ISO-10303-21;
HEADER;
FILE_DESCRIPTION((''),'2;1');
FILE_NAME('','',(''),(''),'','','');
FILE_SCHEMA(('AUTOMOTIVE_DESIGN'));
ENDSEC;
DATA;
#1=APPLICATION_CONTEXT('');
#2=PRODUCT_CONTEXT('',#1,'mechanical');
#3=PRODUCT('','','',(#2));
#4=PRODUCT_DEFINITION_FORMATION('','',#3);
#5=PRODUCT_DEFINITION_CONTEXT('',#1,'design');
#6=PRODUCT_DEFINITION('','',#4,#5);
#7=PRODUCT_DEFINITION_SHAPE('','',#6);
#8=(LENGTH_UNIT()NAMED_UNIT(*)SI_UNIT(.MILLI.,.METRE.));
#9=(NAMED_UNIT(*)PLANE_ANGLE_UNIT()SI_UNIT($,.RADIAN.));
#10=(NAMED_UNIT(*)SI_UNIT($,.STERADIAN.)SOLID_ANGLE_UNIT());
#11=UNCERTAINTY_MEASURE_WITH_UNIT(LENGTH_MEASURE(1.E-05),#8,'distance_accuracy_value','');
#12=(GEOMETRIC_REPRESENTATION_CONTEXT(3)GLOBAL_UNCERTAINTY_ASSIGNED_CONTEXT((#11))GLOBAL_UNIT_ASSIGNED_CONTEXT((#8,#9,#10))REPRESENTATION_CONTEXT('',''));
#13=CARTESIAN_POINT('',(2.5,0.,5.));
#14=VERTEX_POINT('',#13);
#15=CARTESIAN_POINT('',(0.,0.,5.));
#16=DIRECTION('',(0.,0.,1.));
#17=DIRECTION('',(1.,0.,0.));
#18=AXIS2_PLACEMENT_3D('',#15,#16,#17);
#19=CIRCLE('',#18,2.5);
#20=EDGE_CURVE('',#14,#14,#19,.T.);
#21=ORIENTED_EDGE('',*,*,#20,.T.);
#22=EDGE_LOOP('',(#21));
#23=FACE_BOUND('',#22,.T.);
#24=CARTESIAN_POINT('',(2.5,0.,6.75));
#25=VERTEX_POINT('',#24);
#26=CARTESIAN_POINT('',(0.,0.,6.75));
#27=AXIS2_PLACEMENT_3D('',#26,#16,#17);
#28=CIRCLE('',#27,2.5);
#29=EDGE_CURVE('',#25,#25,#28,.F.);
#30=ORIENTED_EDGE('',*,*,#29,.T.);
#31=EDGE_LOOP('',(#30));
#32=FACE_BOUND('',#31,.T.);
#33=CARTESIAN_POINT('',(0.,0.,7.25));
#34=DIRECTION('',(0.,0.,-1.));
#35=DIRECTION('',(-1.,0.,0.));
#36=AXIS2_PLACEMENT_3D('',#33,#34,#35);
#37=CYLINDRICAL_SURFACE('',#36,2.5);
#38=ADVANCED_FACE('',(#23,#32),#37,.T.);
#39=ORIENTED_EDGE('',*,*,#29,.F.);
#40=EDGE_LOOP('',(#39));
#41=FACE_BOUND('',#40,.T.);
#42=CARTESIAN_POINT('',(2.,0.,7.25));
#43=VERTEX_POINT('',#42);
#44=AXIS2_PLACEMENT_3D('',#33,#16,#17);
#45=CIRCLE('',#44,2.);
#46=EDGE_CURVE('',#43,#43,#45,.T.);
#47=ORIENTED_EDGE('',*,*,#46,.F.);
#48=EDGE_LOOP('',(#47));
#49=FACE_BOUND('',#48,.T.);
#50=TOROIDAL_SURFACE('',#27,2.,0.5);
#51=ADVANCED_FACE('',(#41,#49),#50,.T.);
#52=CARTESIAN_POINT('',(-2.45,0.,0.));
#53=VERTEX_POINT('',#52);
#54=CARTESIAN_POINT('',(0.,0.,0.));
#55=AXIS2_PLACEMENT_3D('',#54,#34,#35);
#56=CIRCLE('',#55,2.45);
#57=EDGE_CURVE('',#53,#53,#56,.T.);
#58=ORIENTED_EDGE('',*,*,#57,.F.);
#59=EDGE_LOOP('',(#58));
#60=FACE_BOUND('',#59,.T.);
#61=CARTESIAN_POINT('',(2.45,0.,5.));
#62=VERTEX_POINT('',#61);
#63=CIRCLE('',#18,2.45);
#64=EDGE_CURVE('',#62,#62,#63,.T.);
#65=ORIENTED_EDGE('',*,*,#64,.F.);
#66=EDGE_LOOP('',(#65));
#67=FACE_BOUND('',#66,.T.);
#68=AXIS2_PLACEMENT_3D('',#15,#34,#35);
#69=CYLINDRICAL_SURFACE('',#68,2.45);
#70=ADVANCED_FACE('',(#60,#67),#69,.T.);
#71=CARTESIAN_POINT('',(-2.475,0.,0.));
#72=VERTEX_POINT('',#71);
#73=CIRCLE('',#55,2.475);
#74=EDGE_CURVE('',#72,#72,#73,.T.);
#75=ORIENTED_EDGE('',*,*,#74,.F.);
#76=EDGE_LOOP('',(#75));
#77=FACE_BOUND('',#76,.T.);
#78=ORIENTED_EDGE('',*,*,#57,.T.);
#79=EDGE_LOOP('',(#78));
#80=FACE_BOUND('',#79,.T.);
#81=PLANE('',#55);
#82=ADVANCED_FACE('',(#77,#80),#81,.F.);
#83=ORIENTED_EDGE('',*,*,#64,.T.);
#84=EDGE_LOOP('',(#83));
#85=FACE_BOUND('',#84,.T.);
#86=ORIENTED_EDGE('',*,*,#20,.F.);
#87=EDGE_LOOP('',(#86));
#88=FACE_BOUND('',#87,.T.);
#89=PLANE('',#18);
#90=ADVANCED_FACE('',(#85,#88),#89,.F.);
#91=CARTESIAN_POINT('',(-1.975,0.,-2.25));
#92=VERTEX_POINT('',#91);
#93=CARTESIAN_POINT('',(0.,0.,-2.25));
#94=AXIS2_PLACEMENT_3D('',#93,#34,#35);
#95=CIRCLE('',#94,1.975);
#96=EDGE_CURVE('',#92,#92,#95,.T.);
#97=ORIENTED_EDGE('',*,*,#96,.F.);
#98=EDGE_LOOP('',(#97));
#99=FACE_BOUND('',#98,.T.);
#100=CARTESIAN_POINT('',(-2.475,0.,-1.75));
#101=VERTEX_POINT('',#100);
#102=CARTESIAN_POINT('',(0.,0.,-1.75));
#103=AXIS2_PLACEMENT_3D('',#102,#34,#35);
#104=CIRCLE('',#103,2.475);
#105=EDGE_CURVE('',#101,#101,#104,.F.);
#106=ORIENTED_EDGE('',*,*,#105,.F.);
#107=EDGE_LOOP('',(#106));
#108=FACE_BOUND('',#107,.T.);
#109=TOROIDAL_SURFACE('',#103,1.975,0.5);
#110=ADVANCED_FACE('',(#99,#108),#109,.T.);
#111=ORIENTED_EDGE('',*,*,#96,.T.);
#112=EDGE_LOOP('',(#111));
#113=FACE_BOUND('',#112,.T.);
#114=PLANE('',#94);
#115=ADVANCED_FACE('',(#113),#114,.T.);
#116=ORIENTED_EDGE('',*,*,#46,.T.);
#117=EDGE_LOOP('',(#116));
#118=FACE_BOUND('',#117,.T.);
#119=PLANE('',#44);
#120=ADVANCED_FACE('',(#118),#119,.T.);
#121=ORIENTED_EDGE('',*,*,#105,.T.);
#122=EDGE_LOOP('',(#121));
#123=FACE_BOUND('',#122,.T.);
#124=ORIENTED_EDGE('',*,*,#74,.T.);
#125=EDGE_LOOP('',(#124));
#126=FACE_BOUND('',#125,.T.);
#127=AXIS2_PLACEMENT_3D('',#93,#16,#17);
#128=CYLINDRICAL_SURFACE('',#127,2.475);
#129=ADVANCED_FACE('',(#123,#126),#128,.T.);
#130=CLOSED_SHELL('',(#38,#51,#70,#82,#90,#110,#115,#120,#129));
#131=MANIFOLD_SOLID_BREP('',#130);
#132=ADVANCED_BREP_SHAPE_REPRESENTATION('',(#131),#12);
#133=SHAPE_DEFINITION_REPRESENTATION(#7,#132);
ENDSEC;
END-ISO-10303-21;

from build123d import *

# Parameters (mm, degrees)
SKETCH_1_R      = 2.45
EXTRUDE_1_DEPTH = 5
SKETCH_2_R      = 2.5
EXTRUDE_2_DEPTH = 2.25
SKETCH_3_R      = 2.475
EXTRUDE_3_DEPTH = 2.25
FILLET_1_R      = 0.5


with BuildPart() as part:
    # 스케치1 → 보스-돌출1 (new body)
    with BuildSketch(Plane.XY):
        Circle(SKETCH_1_R)
    extrude(amount=EXTRUDE_1_DEPTH)

    # 스케치2 → 보스-돌출2 (add)
    with BuildSketch(Plane.XY.offset(5)):
        Circle(SKETCH_2_R)
    extrude(amount=EXTRUDE_2_DEPTH)

    # 스케치3 → 보스-돌출3 (add)
    with BuildSketch(Plane(origin=(0, 0, 0), x_dir=(-1, 0, 0), z_dir=(0, 0, -1))):
        Circle(SKETCH_3_R)
    extrude(amount=EXTRUDE_3_DEPTH)

    # 필렛1
    fillet_1_edges = [part.edges().sort_by_distance(p)[0] for p in [
        (-2.5, 0, 7.25),
        (2.475, 0, -2.25),
    ]]
    fillet(fillet_1_edges, radius=FILLET_1_R)


solid = part.part
